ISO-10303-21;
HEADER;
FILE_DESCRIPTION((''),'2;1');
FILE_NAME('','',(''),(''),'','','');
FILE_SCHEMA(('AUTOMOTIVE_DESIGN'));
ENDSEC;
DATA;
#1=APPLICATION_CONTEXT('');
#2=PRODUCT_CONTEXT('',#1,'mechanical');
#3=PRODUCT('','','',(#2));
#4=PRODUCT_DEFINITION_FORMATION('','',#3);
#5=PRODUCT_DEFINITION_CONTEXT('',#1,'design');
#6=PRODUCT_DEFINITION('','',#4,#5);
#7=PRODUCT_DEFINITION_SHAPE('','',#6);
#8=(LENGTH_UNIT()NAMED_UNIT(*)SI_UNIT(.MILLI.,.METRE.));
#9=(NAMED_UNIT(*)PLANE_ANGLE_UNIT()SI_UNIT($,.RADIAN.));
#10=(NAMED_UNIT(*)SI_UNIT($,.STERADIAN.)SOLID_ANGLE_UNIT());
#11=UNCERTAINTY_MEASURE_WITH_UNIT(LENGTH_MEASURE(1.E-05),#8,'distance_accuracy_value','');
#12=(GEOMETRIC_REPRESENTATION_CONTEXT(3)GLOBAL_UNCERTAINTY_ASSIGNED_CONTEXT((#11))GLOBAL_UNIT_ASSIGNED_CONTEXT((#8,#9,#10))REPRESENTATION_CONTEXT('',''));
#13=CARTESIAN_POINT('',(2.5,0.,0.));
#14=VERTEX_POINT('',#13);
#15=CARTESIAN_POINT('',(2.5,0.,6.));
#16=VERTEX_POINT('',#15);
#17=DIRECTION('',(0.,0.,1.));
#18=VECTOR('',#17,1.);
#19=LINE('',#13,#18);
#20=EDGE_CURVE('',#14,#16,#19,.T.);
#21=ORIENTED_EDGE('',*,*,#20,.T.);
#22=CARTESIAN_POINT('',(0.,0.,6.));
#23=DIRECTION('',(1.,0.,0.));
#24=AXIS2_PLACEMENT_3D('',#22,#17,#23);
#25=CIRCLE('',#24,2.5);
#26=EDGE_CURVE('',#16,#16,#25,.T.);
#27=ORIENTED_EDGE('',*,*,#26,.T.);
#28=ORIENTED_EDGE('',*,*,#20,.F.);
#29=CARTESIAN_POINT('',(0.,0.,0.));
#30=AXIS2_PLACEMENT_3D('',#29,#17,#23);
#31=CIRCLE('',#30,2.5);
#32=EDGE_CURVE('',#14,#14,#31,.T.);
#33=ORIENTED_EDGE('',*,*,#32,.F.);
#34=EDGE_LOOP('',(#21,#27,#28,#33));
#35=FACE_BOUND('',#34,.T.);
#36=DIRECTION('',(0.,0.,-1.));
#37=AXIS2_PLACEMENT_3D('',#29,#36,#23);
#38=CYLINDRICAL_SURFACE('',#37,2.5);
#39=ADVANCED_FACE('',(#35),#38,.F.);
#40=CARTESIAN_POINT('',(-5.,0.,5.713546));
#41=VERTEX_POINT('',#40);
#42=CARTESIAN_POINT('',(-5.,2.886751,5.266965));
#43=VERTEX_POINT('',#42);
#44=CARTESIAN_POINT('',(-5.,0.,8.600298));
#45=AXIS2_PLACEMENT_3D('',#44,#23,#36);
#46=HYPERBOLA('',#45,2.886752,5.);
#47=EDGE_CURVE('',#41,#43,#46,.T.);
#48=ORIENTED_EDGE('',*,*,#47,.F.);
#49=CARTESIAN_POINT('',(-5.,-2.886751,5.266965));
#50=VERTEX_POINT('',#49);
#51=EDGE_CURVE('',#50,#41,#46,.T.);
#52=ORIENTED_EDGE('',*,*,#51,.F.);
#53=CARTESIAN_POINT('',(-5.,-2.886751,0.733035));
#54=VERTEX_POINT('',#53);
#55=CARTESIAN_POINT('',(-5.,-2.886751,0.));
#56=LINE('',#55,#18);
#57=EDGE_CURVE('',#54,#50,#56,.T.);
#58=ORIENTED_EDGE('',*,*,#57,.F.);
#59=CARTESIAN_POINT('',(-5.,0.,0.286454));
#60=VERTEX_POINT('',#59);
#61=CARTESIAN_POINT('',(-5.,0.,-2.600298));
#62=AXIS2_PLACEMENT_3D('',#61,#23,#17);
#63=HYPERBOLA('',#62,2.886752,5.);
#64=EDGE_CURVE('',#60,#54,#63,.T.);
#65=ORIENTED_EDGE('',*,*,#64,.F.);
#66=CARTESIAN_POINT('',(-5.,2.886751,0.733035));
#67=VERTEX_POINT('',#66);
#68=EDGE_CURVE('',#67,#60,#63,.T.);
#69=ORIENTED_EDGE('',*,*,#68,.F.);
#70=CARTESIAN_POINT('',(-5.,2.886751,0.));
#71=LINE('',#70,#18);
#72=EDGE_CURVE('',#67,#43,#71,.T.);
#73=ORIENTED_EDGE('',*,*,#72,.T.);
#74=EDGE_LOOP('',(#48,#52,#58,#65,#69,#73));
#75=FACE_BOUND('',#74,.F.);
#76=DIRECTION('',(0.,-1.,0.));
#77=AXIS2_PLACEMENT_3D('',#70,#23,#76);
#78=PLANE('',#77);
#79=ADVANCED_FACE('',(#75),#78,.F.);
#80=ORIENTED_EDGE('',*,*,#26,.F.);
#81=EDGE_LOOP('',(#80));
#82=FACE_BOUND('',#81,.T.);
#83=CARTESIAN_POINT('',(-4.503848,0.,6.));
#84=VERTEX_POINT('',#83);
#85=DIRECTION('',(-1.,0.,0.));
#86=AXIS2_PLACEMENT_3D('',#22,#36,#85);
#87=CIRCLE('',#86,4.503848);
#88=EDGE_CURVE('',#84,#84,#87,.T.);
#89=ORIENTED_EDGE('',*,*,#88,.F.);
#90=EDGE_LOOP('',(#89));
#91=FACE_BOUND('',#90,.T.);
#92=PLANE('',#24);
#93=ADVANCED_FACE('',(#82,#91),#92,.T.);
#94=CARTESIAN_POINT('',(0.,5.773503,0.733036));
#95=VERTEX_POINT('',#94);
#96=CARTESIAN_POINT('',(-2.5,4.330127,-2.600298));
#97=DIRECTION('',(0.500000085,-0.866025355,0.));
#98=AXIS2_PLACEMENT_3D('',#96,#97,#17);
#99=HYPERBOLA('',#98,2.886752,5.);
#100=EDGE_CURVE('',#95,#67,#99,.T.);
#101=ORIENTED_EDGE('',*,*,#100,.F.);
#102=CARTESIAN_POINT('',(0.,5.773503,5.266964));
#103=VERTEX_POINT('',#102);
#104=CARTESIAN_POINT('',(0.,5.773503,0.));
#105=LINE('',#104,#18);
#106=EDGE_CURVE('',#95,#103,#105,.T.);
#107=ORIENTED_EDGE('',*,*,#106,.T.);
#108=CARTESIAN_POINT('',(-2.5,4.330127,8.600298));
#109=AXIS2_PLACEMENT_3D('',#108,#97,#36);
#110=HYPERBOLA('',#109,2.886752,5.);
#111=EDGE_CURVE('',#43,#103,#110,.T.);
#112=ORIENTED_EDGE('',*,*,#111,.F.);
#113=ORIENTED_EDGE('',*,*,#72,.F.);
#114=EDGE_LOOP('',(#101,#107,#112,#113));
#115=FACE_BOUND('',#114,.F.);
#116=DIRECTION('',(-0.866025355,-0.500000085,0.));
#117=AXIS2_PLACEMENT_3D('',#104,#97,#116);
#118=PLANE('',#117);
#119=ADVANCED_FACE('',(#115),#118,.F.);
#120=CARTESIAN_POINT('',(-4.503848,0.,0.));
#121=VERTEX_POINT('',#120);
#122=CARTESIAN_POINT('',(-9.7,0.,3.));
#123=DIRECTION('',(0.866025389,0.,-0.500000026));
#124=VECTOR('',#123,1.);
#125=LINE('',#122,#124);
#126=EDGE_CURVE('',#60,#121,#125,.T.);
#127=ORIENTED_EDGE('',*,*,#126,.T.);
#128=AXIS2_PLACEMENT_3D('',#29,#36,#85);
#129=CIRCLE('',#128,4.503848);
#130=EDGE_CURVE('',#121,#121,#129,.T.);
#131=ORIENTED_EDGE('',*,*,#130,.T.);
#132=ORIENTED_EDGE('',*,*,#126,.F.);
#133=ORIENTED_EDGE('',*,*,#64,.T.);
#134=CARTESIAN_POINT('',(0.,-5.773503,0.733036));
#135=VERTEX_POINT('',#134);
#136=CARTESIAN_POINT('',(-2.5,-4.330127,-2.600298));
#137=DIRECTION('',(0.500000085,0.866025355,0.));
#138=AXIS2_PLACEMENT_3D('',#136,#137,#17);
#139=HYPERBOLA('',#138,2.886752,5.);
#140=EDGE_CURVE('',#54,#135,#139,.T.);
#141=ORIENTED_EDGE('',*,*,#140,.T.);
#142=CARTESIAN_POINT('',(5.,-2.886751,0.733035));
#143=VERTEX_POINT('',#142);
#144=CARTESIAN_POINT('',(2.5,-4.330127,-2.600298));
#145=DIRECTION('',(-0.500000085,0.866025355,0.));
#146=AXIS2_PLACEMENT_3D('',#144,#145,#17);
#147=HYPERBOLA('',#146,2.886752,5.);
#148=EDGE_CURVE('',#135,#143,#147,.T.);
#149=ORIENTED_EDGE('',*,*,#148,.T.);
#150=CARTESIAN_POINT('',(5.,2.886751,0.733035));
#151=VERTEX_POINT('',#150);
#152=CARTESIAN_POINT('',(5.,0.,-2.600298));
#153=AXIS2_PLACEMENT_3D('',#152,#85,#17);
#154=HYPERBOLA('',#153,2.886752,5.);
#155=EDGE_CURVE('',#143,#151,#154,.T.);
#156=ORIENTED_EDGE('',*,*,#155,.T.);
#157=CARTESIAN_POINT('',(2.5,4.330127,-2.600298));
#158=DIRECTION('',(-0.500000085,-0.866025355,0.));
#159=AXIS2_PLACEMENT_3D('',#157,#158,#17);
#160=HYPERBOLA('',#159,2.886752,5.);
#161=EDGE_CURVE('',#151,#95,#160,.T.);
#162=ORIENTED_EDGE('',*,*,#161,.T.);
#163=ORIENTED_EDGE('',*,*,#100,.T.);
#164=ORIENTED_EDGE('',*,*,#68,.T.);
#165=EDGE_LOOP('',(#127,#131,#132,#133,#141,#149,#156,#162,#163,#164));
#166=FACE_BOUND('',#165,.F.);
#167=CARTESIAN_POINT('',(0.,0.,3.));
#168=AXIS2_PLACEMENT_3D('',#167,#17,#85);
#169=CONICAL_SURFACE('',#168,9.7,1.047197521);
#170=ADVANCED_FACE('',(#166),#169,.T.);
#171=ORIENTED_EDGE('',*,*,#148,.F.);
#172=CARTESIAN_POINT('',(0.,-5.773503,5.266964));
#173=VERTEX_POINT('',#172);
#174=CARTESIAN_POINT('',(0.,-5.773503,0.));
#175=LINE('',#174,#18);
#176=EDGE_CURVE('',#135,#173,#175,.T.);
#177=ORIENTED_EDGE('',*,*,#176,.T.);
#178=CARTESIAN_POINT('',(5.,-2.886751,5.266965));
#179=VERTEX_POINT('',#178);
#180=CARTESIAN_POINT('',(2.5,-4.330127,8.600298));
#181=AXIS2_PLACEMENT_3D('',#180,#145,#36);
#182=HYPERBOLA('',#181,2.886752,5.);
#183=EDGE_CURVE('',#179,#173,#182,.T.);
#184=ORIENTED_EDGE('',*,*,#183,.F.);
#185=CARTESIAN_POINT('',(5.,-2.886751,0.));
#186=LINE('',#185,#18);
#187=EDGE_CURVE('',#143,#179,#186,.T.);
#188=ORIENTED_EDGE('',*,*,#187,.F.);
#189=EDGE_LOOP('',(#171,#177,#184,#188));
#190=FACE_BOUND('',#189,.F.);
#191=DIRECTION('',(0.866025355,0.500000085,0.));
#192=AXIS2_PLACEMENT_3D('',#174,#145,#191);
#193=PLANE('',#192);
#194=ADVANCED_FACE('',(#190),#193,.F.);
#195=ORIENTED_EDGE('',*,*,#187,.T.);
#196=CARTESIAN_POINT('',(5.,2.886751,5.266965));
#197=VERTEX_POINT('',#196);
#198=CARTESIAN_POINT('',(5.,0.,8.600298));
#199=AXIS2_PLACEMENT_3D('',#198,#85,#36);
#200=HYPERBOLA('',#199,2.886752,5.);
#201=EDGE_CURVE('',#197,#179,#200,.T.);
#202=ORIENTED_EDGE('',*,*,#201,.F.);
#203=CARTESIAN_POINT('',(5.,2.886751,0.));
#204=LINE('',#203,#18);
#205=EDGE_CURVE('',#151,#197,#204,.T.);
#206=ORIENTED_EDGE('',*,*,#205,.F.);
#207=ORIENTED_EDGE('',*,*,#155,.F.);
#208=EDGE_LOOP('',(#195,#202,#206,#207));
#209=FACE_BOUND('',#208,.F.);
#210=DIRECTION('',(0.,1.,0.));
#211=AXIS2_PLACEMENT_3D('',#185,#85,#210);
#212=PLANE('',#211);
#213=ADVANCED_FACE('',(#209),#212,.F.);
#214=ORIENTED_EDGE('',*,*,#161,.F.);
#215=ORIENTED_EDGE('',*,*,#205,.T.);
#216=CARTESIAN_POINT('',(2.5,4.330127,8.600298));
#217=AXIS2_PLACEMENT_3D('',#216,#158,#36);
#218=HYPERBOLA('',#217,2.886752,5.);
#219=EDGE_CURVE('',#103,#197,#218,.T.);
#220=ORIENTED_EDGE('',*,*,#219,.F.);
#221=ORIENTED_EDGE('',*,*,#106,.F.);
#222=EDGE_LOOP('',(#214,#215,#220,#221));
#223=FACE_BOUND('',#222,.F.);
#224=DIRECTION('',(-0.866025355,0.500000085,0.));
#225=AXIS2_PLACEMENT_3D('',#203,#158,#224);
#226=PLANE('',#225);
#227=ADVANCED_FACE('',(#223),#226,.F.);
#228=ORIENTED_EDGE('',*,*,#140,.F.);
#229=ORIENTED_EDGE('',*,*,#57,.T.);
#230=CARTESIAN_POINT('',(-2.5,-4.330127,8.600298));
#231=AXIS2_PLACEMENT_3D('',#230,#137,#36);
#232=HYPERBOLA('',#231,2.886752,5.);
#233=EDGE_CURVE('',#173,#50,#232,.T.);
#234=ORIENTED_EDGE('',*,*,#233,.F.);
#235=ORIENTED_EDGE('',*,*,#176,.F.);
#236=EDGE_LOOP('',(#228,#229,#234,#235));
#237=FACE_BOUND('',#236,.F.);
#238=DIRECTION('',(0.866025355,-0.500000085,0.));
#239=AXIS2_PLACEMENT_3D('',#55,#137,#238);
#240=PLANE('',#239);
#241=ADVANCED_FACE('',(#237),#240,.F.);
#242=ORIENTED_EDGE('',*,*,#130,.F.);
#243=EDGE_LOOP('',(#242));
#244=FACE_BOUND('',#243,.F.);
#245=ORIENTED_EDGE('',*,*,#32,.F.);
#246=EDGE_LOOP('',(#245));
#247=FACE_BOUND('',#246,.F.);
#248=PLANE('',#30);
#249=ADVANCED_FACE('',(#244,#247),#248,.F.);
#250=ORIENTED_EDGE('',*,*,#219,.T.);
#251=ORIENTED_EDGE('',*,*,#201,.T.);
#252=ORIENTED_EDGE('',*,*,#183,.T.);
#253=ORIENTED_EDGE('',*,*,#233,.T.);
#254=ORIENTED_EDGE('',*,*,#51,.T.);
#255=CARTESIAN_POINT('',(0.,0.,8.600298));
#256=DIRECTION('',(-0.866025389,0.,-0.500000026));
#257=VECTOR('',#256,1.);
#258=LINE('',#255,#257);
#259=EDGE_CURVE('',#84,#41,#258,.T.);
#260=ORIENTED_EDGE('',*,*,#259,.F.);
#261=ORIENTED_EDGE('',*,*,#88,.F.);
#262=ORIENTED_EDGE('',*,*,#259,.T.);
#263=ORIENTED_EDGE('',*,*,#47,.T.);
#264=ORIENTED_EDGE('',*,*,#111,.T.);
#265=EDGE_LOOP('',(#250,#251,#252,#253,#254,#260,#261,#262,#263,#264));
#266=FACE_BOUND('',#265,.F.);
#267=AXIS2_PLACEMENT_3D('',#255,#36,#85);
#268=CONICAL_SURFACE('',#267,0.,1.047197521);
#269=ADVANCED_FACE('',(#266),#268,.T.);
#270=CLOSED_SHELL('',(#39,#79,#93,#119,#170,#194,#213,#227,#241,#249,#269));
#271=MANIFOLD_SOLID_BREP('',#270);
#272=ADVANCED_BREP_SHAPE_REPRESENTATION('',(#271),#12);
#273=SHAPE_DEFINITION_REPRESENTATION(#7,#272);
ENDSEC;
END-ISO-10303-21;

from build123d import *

# Parameters (mm, degrees)
F0_R     = 2.5
F1_DEPTH = 6


with BuildPart() as f1:
    # F0 (on Top) → F1 (new body)
    with BuildSketch(Plane.XY):
        Polygon((-5, 2.886751), (-5, -2.886751), (0, -5.773503), (5, -2.886751), (5, 2.886751), (0, 5.773503), align=None)
        Circle(F0_R, mode=Mode.SUBTRACT)
    extrude(amount=F1_DEPTH)

    # F2 (on Front) → F3 (revolve, intersect)
    with BuildSketch(Plane.XZ):
        Polygon((0, -2.600298), (0, 8.600298), (-9.7, 3), align=None)
    revolve(axis=Axis((0, 0, 3), (0, 0, 1)), mode=Mode.INTERSECT)


solid = f1.part
